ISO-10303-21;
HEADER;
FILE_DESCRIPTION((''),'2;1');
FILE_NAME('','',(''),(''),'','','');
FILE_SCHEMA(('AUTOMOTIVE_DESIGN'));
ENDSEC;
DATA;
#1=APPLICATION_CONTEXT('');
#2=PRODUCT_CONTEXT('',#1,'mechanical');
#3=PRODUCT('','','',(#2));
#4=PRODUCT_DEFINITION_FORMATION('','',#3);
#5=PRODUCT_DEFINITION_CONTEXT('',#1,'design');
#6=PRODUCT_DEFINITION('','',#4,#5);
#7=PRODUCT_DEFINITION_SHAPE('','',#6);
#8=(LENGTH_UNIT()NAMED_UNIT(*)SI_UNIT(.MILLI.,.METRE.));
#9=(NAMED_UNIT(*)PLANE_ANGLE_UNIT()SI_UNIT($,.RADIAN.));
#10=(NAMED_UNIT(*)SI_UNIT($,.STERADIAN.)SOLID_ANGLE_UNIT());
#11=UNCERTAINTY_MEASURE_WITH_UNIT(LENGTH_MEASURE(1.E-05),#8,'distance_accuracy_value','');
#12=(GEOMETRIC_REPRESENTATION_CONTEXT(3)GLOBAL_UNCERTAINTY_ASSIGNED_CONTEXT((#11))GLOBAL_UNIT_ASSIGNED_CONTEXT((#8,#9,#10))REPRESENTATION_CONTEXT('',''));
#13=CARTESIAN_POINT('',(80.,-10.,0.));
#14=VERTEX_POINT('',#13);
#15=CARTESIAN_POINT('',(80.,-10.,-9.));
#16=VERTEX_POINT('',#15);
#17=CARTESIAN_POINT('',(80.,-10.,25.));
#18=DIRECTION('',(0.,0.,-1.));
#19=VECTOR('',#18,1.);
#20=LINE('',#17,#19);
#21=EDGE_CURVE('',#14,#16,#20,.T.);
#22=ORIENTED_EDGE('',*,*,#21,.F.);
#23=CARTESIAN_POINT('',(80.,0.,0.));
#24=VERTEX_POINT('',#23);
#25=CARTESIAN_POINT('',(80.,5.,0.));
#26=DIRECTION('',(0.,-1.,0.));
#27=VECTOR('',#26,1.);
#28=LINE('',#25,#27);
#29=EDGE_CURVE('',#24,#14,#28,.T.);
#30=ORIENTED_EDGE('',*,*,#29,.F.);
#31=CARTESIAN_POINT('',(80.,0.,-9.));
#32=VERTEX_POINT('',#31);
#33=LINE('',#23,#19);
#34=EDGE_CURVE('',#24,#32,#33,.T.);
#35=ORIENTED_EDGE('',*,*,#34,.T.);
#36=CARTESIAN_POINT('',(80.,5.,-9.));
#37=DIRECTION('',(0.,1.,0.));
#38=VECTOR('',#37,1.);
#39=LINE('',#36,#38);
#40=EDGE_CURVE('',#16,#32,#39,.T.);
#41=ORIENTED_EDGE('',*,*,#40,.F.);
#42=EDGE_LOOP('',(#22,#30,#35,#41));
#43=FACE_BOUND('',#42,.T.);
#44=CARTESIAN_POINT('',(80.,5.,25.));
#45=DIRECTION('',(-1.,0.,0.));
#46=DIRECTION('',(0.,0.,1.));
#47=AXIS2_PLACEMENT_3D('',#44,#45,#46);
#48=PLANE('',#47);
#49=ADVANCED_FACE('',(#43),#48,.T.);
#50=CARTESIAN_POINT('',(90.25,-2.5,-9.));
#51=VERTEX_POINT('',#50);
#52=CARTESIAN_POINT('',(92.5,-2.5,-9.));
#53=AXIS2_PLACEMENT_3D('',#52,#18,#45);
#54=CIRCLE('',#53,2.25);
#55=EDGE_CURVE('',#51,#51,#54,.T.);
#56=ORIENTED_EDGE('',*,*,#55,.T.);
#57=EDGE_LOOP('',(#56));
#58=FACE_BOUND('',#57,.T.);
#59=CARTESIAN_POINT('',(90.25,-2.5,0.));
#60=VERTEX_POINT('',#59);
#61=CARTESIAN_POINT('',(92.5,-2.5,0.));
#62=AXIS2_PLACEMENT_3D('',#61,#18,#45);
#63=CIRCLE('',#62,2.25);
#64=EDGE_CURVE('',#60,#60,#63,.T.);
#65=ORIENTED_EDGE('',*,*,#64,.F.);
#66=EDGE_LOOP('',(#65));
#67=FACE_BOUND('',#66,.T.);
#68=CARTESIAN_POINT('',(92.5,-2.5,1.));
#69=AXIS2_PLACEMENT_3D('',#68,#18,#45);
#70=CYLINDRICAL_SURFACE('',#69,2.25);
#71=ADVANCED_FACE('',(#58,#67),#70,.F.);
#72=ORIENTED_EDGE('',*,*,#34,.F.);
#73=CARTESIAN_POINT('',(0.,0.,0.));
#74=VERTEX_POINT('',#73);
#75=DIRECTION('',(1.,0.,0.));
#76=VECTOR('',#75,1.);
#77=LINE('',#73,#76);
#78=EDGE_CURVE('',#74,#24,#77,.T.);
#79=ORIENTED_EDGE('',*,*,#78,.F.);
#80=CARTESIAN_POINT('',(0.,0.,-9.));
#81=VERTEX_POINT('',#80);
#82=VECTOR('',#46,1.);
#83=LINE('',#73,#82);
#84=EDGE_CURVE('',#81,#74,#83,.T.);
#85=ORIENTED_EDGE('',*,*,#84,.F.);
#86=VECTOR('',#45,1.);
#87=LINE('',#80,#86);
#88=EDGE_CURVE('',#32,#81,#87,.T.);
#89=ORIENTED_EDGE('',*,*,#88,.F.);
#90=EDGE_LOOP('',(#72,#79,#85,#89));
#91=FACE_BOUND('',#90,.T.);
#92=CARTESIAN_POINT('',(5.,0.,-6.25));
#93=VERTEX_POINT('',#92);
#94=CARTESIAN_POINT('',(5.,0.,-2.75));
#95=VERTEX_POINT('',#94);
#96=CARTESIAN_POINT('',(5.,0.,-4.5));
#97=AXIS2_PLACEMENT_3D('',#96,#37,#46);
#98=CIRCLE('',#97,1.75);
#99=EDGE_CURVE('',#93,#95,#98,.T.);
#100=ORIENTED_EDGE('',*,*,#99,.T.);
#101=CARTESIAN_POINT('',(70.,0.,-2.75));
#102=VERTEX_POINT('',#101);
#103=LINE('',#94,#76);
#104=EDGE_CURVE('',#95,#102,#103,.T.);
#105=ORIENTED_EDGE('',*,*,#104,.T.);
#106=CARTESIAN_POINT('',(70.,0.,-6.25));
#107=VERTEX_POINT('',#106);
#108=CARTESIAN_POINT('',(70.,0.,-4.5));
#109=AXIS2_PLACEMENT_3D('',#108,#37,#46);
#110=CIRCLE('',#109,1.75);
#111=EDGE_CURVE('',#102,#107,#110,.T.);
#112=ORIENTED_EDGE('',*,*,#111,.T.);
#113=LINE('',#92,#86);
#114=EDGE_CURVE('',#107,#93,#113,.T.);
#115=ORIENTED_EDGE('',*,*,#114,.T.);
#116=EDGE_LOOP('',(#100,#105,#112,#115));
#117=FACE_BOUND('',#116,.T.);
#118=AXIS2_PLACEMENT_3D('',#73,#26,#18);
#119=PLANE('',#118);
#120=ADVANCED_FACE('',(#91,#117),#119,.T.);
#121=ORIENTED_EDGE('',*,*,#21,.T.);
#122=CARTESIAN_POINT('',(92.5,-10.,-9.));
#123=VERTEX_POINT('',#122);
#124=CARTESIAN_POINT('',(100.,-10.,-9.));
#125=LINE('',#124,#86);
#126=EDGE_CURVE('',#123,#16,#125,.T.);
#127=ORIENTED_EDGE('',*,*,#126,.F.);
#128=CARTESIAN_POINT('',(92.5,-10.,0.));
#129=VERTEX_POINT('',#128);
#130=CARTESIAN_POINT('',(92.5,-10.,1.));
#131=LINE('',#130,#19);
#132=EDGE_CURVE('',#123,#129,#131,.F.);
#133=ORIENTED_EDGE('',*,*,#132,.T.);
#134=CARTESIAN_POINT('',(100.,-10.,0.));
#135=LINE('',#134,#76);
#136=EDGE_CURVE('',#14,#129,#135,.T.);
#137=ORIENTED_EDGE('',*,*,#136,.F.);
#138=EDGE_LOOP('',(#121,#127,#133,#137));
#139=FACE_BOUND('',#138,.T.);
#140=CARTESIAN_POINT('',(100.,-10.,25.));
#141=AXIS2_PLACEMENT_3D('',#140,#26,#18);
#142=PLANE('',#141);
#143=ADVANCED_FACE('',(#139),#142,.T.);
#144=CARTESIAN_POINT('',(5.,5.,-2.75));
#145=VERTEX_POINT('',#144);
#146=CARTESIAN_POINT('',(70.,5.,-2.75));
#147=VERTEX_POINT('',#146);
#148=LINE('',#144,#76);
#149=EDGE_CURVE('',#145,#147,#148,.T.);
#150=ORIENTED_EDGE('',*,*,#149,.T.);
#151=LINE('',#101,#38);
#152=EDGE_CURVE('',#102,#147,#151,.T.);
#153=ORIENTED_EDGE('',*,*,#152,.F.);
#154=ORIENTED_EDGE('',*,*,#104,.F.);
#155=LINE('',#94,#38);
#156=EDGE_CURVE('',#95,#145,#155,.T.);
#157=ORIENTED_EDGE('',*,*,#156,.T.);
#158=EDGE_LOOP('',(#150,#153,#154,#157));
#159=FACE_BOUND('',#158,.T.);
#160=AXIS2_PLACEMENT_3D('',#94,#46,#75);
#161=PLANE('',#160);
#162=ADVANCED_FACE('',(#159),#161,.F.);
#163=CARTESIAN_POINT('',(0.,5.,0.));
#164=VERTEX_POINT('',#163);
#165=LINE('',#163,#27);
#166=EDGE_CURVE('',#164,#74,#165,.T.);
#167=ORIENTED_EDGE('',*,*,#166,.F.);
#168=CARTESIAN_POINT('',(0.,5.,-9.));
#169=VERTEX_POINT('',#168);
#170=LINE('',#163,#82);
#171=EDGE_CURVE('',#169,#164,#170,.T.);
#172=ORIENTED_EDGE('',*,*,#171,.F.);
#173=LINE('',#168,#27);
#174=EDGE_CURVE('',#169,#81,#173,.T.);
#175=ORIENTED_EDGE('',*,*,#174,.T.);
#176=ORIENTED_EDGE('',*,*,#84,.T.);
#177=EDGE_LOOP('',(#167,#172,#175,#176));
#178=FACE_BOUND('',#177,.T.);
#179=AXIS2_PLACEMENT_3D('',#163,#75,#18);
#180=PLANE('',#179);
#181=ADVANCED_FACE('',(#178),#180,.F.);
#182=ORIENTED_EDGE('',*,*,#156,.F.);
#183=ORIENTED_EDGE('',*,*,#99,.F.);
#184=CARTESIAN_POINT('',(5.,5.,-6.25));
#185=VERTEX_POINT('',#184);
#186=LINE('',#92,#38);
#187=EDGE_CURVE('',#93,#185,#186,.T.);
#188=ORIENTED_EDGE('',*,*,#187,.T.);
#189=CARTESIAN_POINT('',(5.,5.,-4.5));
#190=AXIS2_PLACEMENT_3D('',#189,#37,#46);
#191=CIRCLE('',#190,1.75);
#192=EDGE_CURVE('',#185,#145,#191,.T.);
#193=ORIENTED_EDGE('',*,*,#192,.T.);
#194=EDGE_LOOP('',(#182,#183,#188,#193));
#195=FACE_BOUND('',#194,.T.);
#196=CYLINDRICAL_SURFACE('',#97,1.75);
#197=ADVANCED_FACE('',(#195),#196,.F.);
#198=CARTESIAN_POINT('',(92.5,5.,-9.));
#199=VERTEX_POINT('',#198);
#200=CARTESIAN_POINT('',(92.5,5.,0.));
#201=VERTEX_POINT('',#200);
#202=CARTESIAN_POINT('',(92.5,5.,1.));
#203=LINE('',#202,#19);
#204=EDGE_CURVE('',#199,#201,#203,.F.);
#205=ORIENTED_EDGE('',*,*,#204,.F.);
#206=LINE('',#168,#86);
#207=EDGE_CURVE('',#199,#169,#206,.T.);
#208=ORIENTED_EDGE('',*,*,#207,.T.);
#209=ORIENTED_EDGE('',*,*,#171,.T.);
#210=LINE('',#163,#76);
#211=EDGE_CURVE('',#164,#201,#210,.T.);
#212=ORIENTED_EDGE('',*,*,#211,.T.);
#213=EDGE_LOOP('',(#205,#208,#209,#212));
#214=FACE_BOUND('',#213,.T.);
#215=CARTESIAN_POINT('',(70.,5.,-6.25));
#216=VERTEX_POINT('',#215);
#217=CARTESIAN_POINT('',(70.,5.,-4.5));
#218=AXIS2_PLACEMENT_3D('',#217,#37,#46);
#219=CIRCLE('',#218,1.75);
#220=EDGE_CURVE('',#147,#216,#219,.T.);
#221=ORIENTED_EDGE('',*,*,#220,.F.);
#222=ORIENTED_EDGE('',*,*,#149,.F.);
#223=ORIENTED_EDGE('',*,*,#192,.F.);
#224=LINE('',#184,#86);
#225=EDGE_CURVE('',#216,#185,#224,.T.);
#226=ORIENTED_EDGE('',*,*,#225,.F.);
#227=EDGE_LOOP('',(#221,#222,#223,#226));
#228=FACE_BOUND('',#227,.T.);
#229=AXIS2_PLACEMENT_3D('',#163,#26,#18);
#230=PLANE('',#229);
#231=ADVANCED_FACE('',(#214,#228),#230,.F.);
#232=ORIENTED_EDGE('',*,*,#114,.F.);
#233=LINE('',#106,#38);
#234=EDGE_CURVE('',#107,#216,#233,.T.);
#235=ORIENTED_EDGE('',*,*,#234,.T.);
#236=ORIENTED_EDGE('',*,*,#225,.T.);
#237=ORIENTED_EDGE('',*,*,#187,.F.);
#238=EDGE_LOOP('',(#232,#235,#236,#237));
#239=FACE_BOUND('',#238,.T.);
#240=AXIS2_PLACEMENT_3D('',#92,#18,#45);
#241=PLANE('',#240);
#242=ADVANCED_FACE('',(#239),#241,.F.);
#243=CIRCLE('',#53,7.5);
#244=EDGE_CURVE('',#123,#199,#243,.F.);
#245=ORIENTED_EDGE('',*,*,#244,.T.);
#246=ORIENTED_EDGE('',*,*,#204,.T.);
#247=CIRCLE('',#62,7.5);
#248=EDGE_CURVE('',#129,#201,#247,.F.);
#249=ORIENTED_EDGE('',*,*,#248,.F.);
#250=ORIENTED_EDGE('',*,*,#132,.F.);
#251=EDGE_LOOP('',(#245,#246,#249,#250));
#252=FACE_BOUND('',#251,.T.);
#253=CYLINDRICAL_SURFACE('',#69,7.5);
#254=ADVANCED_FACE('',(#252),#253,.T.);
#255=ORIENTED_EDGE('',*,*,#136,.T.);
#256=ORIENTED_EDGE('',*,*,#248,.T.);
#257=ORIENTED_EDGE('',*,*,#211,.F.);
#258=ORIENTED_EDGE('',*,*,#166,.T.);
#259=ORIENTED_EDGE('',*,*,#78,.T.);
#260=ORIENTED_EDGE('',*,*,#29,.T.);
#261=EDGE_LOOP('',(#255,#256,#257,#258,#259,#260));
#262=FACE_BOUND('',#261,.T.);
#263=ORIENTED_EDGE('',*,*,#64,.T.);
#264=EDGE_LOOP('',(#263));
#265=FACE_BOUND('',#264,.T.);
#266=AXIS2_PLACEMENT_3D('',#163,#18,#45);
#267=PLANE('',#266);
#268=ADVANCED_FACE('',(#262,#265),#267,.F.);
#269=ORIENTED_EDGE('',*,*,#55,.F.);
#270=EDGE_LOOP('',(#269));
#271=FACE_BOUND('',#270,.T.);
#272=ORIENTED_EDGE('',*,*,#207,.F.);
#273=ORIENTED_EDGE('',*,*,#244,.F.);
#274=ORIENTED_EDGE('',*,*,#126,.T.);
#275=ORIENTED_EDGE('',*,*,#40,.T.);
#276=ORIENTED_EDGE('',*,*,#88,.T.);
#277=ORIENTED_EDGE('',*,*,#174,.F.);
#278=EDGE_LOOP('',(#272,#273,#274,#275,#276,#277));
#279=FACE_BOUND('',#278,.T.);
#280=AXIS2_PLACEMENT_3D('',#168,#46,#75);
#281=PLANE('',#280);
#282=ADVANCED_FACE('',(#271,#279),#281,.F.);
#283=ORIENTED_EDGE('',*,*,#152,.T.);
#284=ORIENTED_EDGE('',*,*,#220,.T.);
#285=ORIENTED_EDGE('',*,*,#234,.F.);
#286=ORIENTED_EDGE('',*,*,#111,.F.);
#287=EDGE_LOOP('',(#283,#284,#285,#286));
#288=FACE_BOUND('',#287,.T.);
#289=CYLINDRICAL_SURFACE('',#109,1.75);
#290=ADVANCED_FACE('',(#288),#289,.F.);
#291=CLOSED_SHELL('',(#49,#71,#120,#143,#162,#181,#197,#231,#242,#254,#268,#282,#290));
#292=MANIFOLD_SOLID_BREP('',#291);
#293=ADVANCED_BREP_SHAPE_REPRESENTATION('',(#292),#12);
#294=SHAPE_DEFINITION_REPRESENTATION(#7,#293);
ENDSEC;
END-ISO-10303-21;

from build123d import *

# Parameters (mm, degrees)
SKETCH1_W           = 100
SKETCH1_H           = 9
BOSS_EXTRUDE1_DEPTH = 5
CUT_EXTRUDE1_DEPTH  = 6
SKETCH3_W           = 20
SKETCH3_H           = 15
BOSS_EXTRUDE2_DEPTH = 9
SKETCH4_R           = 2.25
CUT_EXTRUDE2_DEPTH  = 10


with BuildPart() as part:
    # Sketch1 → Boss-Extrude1 (new body)
    with BuildSketch(Plane(origin=(0, 0, 0), x_dir=(1, 0, 0), z_dir=(0, 1, 0))):
        with Locations((50, 4.5)):
            Rectangle(SKETCH1_W, SKETCH1_H)
    extrude(amount=BOSS_EXTRUDE1_DEPTH)

    # Sketch2 → Cut-Extrude1 (cut, through all)
    with BuildSketch(Plane(origin=(0, 5, 0), x_dir=(1, 0, 0), z_dir=(0, 1, 0))):
        with BuildLine():
            Line((5, 6.25), (70, 6.25))
            ThreePointArc((70, 6.25), (71.75, 4.5), (70, 2.75))
            Line((70, 2.75), (5, 2.75))
            ThreePointArc((5, 2.75), (3.25, 4.5), (5, 6.25))
        make_face()
    extrude(amount=-CUT_EXTRUDE1_DEPTH, mode=Mode.SUBTRACT)

    # Sketch3 → Boss-Extrude2 (add)
    with BuildSketch(Plane(origin=(0, 0, -9), x_dir=(-1, 0, 0), z_dir=(0, 0, -1))):
        with Locations((-90, -2.5)):
            Rectangle(SKETCH3_W, SKETCH3_H)
    extrude(amount=-BOSS_EXTRUDE2_DEPTH)

    # Sketch4 → Cut-Extrude2 (cut)
    with BuildSketch(Plane(origin=(0, 0, -9), x_dir=(-1, 0, 0), z_dir=(0, 0, -1))):
        with BuildLine():
            Line((-100, 5), (-100, -2.5))
            ThreePointArc((-100, -2.5), (-97.803300859, 2.803300859), (-92.5, 5))
            Line((-92.5, 5), (-100, 5))
        make_face()
        with BuildLine():
            Line((-100, -10), (-92.5, -10))
            ThreePointArc((-92.5, -10), (-97.803300859, -7.803300859), (-100, -2.5))
            Line((-100, -2.5), (-100, -10))
        make_face()
        with Locations((-92.5, -2.5)):
            Circle(SKETCH4_R)
    extrude(amount=-CUT_EXTRUDE2_DEPTH, mode=Mode.SUBTRACT)


solid = part.part
